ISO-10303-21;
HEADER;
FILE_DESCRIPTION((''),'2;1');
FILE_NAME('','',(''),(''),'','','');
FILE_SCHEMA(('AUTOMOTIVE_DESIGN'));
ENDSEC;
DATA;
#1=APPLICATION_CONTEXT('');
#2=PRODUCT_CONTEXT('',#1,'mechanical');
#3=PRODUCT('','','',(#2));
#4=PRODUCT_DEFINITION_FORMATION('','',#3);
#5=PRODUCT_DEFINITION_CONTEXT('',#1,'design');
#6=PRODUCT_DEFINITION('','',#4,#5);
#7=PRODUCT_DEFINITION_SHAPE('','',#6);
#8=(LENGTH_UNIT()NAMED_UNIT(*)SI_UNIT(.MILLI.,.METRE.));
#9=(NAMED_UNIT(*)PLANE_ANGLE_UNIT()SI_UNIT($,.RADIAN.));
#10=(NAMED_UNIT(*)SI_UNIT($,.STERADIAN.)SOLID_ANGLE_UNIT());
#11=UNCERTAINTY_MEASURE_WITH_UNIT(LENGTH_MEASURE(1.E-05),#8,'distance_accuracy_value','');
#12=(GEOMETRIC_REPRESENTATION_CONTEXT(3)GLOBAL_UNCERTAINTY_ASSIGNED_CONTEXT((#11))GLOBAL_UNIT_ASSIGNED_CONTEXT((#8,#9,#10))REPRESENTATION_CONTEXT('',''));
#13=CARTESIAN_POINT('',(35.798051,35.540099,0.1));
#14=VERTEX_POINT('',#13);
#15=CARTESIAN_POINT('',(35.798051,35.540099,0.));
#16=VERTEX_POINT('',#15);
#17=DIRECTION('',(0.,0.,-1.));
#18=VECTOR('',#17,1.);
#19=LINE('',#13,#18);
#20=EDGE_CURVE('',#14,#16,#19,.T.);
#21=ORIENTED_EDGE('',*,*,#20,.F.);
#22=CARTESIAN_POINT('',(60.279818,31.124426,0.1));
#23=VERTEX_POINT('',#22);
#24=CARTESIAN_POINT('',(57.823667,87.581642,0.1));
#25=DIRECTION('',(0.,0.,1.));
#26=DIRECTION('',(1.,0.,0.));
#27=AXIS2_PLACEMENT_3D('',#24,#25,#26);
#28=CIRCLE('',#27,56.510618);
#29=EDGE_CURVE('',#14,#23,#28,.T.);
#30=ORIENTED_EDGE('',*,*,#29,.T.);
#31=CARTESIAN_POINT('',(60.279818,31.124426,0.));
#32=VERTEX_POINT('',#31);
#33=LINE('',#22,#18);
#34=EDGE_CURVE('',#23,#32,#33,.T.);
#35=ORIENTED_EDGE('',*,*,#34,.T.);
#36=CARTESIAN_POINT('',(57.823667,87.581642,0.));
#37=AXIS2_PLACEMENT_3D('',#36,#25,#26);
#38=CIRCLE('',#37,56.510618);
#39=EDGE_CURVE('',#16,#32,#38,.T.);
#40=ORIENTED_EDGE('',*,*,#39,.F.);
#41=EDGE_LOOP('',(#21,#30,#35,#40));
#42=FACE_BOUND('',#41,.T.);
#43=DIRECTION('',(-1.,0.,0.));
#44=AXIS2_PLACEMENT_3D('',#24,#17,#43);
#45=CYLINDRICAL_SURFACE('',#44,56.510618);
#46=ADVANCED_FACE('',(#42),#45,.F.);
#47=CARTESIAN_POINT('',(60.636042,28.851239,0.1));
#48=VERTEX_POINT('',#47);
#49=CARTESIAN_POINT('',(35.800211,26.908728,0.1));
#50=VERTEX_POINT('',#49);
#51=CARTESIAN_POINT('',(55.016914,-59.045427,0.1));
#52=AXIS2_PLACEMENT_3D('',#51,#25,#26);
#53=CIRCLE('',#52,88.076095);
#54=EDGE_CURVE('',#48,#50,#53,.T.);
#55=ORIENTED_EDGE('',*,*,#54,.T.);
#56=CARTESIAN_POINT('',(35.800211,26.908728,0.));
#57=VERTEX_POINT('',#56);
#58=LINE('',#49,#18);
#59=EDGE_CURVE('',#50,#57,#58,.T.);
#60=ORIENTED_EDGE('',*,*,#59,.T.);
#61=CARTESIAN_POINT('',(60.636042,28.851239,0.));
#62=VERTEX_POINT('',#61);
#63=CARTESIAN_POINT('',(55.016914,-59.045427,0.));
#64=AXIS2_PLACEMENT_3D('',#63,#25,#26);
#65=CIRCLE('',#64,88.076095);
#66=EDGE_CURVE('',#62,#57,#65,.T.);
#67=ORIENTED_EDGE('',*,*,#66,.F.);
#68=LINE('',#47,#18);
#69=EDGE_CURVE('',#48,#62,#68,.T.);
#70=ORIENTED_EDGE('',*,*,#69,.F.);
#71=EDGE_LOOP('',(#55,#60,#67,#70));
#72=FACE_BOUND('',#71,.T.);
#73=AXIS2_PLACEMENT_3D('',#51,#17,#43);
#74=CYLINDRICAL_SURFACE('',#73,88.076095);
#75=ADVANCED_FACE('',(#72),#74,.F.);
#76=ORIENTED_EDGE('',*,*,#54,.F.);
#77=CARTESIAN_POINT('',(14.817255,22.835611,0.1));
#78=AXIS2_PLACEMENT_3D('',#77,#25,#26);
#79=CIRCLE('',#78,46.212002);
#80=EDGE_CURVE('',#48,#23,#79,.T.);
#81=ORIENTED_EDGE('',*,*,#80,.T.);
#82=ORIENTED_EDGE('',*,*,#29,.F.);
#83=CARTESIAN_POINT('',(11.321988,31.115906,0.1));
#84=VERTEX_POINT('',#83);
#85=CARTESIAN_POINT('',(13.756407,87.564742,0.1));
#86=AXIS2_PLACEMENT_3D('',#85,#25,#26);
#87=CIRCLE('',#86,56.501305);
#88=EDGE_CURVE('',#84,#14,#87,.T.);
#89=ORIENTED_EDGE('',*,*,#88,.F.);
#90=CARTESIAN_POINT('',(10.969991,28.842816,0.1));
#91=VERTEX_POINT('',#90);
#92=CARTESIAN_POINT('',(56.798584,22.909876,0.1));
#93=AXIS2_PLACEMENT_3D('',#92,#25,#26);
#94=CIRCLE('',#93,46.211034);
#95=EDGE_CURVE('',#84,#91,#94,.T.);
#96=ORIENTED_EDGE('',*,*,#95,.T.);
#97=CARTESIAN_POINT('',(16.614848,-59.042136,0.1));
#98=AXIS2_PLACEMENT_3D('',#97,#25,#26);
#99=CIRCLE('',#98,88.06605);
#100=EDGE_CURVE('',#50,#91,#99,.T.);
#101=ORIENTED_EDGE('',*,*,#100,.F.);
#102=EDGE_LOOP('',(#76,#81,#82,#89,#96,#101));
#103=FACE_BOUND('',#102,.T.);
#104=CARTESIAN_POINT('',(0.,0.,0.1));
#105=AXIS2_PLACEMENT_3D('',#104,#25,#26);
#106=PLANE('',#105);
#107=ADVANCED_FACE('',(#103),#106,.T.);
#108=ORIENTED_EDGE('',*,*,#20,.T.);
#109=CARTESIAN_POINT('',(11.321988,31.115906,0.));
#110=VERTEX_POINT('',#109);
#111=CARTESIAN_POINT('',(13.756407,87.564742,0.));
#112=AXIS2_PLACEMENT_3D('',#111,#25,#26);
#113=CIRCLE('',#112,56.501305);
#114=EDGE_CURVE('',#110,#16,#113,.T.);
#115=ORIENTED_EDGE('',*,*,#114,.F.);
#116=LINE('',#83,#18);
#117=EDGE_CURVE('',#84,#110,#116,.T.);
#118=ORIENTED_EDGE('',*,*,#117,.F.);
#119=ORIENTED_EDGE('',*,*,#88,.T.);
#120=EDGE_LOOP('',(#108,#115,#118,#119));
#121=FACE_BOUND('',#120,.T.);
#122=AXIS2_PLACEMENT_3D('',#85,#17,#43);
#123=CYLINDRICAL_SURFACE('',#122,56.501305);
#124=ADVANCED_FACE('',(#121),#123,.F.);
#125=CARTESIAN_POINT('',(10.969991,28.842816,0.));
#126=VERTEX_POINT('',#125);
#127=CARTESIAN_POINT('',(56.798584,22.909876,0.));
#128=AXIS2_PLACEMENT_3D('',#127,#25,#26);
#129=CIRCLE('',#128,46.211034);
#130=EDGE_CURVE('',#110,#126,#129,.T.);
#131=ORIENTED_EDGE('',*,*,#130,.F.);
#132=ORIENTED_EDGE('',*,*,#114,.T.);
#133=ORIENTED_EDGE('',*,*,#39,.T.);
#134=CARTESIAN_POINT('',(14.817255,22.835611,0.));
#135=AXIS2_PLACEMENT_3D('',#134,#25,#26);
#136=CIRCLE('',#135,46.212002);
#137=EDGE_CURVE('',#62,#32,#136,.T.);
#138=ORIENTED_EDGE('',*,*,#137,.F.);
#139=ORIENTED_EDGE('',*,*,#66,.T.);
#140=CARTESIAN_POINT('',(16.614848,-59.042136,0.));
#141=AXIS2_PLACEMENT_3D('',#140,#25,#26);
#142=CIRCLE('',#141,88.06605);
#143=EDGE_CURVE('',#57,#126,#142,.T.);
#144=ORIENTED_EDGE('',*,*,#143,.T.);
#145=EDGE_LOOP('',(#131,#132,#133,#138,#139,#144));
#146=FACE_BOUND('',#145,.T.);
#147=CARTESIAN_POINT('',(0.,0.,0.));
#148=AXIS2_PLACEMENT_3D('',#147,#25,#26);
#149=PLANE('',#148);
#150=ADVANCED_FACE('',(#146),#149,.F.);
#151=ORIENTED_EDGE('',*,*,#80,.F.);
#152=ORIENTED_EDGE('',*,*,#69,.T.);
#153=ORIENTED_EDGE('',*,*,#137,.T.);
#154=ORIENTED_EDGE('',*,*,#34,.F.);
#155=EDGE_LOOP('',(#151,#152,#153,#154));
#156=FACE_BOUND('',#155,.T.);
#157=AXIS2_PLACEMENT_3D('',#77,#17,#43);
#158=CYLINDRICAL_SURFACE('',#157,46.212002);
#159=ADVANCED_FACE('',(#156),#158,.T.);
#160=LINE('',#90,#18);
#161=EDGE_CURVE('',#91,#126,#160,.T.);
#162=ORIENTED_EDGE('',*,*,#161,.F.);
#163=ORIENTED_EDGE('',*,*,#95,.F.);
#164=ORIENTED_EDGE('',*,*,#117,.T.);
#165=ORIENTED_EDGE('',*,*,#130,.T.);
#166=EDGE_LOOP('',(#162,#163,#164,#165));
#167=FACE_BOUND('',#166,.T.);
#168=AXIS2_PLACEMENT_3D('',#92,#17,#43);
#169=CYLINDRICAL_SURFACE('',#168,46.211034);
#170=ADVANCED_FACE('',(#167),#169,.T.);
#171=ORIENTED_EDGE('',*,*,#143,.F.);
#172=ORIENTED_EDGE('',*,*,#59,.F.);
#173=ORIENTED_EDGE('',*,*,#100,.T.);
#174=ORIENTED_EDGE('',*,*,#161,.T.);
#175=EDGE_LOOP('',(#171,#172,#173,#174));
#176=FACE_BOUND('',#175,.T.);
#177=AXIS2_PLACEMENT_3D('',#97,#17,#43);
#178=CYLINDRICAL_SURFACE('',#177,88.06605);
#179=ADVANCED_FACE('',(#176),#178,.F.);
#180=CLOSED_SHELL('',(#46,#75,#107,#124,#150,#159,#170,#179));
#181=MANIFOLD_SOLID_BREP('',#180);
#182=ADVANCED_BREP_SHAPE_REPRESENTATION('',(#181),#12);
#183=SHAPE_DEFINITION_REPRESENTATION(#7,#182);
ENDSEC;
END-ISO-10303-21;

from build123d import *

# Parameters (mm, degrees)
SALIENTE_EXTRUIR1_DEPTH = 0.1


with BuildPart() as part:
    # Model → Saliente-Extruir1 (new body)
    with BuildSketch(Plane.XY):
        with BuildLine():
            ThreePointArc((35.800210803, 26.908728098), (48.149101643, 28.762497552), (60.636042467, 28.851238792))
            ThreePointArc((60.636042467, 28.851238792), (60.472080257, 29.990049682), (60.279817754, 31.124425713))
            ThreePointArc((60.279817754, 31.124425713), (47.792937284, 31.96838449), (35.798050693, 35.540099203))
            ThreePointArc((35.798050693, 35.540099203), (23.806490861, 31.964442335), (11.321987865, 31.115905838))
            ThreePointArc((11.321987865, 31.115905838), (11.131844141, 29.981551301), (10.96999091, 28.842815869))
            ThreePointArc((10.96999091, 28.842815869), (23.453817048, 28.757964702), (35.800210803, 26.908728098))
        make_face()
    extrude(amount=SALIENTE_EXTRUIR1_DEPTH)


solid = part.part
